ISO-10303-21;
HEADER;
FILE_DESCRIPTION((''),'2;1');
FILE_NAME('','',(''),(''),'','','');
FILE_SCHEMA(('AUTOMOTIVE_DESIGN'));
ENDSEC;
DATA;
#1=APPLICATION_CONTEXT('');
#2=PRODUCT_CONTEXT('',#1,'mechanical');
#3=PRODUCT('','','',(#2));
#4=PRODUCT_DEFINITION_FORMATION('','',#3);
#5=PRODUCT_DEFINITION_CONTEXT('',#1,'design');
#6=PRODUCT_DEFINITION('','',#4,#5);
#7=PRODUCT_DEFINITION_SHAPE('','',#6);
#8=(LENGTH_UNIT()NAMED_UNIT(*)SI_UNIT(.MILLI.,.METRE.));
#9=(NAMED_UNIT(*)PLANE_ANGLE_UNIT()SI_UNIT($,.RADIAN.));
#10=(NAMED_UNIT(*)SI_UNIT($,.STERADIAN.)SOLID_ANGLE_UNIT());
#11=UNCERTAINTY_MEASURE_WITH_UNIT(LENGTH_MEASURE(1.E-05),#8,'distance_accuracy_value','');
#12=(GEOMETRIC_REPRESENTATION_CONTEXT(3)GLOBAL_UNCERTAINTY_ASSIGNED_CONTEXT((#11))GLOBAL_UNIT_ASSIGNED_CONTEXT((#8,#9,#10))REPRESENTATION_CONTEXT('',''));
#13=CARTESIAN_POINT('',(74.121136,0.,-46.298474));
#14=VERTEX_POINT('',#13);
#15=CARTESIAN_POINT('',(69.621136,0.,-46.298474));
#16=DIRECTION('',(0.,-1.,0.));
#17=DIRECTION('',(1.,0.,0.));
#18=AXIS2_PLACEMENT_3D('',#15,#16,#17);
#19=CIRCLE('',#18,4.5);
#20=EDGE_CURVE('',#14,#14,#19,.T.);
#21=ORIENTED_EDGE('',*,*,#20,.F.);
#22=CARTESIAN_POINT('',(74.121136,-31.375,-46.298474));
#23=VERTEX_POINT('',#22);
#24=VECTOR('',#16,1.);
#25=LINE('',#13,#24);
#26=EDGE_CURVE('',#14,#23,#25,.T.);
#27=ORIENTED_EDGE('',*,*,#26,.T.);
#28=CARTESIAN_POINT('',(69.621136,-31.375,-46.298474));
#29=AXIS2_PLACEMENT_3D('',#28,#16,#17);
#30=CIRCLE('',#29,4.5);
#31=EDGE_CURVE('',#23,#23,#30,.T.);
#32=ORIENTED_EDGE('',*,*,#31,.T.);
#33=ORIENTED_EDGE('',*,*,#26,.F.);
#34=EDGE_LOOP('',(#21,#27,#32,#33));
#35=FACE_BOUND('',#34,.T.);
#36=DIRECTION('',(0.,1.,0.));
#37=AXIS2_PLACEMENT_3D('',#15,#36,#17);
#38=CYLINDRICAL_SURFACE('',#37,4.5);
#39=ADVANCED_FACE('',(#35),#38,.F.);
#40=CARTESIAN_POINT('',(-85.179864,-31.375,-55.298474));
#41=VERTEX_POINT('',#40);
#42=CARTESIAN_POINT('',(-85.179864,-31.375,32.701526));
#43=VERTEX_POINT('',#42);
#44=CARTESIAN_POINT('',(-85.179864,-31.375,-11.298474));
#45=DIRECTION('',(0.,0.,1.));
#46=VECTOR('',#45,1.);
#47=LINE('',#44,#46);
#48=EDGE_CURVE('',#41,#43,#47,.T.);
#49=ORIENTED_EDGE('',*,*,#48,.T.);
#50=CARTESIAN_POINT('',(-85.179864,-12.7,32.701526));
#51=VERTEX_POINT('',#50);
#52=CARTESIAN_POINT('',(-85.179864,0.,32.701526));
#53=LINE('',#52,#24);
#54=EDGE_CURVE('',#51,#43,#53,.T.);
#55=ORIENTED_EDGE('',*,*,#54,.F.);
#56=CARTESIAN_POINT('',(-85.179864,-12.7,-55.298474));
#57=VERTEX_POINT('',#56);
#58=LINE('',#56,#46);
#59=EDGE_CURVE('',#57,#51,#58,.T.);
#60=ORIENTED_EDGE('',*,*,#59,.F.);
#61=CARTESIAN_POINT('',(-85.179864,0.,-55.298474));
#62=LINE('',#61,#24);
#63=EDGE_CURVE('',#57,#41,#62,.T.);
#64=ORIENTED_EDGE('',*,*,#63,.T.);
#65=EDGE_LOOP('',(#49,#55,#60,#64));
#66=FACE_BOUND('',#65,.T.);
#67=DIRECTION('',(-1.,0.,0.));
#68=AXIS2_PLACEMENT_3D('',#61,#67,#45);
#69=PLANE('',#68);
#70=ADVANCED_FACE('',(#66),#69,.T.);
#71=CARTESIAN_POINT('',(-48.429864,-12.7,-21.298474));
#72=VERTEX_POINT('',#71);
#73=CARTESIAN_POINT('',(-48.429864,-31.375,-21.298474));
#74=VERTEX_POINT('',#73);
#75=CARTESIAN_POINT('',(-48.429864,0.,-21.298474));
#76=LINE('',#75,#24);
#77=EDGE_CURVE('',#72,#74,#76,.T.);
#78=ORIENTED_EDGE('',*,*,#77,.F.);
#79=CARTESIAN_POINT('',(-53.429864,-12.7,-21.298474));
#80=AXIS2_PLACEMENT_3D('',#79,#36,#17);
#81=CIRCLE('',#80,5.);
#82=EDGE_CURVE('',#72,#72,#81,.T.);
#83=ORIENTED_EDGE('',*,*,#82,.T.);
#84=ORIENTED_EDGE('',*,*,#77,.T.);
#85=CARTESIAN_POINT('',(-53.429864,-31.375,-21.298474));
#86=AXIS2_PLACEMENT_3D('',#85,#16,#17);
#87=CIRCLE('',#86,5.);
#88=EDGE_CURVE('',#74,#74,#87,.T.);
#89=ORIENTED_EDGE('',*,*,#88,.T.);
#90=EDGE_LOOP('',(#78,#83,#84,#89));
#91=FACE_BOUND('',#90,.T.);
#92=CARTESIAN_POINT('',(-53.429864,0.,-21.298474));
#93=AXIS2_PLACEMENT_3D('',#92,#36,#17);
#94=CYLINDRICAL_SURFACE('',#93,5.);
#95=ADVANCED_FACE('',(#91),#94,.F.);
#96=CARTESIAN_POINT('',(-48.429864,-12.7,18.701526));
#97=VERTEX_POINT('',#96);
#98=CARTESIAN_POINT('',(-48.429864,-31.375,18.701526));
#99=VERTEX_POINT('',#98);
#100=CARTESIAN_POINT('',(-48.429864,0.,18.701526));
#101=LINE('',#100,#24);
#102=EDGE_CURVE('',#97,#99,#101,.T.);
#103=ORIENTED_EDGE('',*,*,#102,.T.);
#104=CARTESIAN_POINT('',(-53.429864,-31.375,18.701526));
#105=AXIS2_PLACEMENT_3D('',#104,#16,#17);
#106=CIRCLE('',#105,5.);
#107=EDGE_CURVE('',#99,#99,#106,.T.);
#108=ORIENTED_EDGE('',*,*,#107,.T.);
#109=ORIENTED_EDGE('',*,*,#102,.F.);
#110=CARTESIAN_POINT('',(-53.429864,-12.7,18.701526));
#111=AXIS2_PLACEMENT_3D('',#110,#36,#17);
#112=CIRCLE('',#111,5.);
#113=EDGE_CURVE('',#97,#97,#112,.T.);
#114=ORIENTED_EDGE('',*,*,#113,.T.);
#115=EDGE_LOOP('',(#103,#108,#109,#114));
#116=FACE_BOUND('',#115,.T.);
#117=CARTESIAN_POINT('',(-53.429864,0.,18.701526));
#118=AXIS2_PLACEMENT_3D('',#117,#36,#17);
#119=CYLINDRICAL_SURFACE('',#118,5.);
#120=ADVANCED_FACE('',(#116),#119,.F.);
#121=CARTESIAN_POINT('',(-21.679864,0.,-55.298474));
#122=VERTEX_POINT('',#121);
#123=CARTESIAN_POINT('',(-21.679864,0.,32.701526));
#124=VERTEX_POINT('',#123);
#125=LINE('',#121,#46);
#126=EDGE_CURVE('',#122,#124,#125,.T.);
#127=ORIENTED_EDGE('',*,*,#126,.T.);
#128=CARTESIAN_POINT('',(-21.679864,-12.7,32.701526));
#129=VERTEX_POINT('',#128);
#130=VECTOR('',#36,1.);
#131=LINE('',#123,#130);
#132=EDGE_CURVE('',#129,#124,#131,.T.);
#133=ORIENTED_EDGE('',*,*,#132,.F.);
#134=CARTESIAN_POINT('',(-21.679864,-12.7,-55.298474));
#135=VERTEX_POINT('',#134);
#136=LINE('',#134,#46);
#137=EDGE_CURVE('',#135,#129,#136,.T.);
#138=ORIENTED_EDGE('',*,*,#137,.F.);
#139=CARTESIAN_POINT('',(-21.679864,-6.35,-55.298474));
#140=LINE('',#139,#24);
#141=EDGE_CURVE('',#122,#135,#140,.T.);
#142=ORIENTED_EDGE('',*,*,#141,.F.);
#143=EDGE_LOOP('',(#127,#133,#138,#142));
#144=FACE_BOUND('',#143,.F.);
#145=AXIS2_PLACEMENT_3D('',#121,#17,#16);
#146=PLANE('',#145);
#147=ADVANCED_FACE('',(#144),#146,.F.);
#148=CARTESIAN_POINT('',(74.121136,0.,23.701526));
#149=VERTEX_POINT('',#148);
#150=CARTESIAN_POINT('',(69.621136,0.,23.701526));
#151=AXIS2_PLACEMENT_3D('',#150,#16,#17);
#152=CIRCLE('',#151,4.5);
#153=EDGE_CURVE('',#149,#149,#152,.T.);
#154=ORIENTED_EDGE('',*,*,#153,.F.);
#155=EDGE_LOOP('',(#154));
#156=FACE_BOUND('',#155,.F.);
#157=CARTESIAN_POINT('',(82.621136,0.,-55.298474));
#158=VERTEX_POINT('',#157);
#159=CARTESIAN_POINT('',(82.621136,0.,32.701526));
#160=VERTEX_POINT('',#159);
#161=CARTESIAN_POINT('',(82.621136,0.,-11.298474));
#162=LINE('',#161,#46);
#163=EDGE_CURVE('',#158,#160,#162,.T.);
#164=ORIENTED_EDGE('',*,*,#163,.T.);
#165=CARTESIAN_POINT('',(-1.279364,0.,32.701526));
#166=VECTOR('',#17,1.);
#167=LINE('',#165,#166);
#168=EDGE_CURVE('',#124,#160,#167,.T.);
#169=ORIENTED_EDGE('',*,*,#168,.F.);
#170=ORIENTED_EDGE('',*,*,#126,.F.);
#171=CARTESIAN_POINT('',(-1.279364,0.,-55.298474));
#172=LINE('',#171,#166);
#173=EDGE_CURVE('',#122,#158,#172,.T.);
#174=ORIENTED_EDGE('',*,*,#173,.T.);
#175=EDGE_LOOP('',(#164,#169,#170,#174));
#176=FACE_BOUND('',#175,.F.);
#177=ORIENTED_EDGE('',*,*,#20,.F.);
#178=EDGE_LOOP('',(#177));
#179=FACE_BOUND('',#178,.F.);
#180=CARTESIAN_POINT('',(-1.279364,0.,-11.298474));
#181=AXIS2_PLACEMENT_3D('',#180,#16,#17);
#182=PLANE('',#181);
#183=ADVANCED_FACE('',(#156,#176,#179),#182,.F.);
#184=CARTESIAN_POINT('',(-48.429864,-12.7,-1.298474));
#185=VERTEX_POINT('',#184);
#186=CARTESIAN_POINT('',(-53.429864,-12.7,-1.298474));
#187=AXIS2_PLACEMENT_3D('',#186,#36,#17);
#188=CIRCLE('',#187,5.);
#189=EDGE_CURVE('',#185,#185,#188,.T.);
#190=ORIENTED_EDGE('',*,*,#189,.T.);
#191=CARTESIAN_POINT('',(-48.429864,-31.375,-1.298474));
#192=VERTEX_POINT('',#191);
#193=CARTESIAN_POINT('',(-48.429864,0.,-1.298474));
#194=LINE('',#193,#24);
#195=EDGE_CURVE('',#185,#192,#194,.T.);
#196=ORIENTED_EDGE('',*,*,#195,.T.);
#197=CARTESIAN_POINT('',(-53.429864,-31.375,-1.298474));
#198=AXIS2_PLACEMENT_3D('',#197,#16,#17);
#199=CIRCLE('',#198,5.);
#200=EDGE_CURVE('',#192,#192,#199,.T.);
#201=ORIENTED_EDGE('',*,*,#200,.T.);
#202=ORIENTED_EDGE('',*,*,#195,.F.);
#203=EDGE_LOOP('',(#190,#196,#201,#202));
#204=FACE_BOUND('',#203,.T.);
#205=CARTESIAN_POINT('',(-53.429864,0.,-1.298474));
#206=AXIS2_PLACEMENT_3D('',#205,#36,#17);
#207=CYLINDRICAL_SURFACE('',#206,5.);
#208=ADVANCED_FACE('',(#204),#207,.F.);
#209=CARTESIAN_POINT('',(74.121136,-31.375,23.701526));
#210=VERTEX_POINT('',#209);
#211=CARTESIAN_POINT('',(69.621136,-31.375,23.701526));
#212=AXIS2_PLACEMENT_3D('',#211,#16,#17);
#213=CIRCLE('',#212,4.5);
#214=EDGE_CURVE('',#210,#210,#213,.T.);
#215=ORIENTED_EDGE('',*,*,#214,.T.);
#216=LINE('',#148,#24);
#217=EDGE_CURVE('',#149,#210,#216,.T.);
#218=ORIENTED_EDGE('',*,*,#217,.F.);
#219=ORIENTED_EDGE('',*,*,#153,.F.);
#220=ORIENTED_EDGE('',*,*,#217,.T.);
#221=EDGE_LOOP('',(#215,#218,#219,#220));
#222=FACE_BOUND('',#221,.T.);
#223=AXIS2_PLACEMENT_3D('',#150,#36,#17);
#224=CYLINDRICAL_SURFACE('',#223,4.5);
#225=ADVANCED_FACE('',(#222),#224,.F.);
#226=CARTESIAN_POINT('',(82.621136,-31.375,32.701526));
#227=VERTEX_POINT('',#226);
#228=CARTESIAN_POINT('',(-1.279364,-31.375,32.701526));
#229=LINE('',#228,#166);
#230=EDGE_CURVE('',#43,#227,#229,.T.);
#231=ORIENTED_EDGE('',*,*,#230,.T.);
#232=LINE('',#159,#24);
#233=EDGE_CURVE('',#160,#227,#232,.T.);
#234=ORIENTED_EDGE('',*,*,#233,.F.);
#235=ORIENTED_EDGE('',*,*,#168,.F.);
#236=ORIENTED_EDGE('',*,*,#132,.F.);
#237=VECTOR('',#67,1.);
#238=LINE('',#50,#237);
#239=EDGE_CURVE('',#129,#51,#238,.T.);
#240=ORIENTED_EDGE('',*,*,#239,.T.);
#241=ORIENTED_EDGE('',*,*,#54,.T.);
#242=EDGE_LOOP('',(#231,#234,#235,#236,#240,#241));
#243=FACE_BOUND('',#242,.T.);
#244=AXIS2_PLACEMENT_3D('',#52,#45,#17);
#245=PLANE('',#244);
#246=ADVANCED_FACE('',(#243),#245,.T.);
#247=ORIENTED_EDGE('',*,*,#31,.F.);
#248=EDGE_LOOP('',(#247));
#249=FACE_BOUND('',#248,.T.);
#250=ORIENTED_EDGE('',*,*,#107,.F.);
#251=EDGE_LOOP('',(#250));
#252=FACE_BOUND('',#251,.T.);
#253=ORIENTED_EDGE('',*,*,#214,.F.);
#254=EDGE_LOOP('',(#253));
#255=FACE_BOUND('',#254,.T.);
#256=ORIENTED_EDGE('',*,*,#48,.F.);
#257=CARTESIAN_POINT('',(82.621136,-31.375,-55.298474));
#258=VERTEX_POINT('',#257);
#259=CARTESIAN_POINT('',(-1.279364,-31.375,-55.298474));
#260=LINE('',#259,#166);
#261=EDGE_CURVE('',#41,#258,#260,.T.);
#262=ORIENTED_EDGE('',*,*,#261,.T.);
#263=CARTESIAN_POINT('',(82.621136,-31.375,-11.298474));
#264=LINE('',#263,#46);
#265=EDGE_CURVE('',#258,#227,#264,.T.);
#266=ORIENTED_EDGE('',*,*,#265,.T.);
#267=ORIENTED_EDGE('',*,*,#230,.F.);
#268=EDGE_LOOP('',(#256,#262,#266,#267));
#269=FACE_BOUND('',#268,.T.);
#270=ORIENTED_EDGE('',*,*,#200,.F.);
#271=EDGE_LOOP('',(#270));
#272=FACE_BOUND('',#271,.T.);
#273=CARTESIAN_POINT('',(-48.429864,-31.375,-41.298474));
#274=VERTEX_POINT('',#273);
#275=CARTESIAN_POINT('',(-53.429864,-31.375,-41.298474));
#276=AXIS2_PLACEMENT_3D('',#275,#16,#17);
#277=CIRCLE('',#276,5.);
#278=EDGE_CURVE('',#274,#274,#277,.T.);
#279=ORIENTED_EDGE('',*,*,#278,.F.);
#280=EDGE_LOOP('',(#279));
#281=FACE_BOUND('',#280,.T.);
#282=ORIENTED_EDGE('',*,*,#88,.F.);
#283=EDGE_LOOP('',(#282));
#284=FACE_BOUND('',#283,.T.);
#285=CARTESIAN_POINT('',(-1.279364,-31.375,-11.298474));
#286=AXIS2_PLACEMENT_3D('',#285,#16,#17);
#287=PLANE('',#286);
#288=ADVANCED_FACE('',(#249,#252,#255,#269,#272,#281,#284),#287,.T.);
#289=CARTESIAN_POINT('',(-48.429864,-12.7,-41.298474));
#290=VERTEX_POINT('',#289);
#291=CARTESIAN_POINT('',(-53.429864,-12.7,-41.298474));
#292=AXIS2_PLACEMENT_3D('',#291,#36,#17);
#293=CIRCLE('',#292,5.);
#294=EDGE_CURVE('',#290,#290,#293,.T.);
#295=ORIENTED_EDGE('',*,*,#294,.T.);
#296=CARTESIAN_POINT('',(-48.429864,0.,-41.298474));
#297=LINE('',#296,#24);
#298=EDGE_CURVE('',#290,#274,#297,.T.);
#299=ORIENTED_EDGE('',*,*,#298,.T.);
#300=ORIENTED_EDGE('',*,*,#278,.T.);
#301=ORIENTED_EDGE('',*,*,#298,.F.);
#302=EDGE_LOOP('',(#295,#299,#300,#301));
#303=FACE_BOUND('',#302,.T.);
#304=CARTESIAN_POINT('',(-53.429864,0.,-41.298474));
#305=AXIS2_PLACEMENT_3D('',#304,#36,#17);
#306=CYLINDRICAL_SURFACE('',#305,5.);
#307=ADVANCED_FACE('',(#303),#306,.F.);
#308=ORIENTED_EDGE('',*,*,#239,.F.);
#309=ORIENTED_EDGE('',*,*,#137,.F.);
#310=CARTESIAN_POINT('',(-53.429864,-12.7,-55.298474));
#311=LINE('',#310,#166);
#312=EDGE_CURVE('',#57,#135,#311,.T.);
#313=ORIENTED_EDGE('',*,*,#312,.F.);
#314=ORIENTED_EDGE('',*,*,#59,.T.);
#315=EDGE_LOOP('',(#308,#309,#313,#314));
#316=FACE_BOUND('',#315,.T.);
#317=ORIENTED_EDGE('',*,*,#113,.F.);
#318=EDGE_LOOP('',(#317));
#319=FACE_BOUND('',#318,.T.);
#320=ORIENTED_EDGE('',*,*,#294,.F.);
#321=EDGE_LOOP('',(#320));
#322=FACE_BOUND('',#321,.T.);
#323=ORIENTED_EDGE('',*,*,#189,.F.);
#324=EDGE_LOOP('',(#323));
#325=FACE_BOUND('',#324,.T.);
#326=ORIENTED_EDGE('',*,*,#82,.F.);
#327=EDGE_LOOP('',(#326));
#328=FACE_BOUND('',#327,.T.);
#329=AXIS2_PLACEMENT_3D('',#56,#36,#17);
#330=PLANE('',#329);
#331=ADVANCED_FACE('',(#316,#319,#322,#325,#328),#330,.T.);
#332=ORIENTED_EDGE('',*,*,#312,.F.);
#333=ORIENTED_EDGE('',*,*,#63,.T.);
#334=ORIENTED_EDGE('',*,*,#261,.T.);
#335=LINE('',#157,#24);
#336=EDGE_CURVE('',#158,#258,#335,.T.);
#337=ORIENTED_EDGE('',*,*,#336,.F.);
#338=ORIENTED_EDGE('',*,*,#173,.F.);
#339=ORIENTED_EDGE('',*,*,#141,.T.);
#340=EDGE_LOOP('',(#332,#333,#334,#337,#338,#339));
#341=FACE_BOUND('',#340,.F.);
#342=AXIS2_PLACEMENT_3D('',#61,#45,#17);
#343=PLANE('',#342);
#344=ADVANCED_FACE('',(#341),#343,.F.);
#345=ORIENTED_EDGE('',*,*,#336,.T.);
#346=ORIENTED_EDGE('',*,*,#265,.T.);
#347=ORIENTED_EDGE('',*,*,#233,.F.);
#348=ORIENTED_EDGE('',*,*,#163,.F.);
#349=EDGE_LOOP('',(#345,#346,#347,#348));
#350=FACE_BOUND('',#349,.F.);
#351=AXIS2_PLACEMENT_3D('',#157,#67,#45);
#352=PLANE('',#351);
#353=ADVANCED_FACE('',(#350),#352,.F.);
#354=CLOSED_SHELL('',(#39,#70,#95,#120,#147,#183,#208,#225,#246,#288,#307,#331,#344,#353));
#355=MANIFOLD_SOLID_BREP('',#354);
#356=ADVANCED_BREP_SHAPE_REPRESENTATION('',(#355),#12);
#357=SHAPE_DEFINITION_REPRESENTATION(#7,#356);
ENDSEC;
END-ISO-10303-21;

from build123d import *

# Parameters (mm, degrees)
F0_W     = 167.801
F0_H     = 88
F0_R     = 5
F0_R_2   = 4.5
F1_DEPTH = 31.375
F2_W     = 63.5
F2_H     = 12.7
F3_DEPTH = 88.001


with BuildPart() as f1:
    # F0 (on Front) → F1 (new body)
    with BuildSketch(Plane.XZ):
        with Locations((-1.279364, -11.298474)):
            Rectangle(F0_W, F0_H)
        with Locations((-53.429864, -41.298474)):
            Circle(F0_R, mode=Mode.SUBTRACT)
        with Locations((-53.429864, -21.298474)):
            Circle(F0_R, mode=Mode.SUBTRACT)
        with Locations((69.621136, -46.298474)):
            Circle(F0_R_2, mode=Mode.SUBTRACT)
        with Locations((-53.429864, -1.298474)):
            Circle(F0_R, mode=Mode.SUBTRACT)
        with Locations((-53.429864, 18.701526)):
            Circle(F0_R, mode=Mode.SUBTRACT)
        with Locations((69.621136, 23.701526)):
            Circle(F0_R_2, mode=Mode.SUBTRACT)
    extrude(amount=F1_DEPTH)

    # F2 (on face) → F3 (cut, through all)
    with BuildSketch(Plane(origin=(0, 0, -55.298474), x_dir=(1, 0, 0), z_dir=(0, 0, -1))):
        with Locations((-53.429864, 6.35)):
            Rectangle(F2_W, F2_H)
    extrude(amount=-F3_DEPTH, mode=Mode.SUBTRACT)


solid = f1.part
